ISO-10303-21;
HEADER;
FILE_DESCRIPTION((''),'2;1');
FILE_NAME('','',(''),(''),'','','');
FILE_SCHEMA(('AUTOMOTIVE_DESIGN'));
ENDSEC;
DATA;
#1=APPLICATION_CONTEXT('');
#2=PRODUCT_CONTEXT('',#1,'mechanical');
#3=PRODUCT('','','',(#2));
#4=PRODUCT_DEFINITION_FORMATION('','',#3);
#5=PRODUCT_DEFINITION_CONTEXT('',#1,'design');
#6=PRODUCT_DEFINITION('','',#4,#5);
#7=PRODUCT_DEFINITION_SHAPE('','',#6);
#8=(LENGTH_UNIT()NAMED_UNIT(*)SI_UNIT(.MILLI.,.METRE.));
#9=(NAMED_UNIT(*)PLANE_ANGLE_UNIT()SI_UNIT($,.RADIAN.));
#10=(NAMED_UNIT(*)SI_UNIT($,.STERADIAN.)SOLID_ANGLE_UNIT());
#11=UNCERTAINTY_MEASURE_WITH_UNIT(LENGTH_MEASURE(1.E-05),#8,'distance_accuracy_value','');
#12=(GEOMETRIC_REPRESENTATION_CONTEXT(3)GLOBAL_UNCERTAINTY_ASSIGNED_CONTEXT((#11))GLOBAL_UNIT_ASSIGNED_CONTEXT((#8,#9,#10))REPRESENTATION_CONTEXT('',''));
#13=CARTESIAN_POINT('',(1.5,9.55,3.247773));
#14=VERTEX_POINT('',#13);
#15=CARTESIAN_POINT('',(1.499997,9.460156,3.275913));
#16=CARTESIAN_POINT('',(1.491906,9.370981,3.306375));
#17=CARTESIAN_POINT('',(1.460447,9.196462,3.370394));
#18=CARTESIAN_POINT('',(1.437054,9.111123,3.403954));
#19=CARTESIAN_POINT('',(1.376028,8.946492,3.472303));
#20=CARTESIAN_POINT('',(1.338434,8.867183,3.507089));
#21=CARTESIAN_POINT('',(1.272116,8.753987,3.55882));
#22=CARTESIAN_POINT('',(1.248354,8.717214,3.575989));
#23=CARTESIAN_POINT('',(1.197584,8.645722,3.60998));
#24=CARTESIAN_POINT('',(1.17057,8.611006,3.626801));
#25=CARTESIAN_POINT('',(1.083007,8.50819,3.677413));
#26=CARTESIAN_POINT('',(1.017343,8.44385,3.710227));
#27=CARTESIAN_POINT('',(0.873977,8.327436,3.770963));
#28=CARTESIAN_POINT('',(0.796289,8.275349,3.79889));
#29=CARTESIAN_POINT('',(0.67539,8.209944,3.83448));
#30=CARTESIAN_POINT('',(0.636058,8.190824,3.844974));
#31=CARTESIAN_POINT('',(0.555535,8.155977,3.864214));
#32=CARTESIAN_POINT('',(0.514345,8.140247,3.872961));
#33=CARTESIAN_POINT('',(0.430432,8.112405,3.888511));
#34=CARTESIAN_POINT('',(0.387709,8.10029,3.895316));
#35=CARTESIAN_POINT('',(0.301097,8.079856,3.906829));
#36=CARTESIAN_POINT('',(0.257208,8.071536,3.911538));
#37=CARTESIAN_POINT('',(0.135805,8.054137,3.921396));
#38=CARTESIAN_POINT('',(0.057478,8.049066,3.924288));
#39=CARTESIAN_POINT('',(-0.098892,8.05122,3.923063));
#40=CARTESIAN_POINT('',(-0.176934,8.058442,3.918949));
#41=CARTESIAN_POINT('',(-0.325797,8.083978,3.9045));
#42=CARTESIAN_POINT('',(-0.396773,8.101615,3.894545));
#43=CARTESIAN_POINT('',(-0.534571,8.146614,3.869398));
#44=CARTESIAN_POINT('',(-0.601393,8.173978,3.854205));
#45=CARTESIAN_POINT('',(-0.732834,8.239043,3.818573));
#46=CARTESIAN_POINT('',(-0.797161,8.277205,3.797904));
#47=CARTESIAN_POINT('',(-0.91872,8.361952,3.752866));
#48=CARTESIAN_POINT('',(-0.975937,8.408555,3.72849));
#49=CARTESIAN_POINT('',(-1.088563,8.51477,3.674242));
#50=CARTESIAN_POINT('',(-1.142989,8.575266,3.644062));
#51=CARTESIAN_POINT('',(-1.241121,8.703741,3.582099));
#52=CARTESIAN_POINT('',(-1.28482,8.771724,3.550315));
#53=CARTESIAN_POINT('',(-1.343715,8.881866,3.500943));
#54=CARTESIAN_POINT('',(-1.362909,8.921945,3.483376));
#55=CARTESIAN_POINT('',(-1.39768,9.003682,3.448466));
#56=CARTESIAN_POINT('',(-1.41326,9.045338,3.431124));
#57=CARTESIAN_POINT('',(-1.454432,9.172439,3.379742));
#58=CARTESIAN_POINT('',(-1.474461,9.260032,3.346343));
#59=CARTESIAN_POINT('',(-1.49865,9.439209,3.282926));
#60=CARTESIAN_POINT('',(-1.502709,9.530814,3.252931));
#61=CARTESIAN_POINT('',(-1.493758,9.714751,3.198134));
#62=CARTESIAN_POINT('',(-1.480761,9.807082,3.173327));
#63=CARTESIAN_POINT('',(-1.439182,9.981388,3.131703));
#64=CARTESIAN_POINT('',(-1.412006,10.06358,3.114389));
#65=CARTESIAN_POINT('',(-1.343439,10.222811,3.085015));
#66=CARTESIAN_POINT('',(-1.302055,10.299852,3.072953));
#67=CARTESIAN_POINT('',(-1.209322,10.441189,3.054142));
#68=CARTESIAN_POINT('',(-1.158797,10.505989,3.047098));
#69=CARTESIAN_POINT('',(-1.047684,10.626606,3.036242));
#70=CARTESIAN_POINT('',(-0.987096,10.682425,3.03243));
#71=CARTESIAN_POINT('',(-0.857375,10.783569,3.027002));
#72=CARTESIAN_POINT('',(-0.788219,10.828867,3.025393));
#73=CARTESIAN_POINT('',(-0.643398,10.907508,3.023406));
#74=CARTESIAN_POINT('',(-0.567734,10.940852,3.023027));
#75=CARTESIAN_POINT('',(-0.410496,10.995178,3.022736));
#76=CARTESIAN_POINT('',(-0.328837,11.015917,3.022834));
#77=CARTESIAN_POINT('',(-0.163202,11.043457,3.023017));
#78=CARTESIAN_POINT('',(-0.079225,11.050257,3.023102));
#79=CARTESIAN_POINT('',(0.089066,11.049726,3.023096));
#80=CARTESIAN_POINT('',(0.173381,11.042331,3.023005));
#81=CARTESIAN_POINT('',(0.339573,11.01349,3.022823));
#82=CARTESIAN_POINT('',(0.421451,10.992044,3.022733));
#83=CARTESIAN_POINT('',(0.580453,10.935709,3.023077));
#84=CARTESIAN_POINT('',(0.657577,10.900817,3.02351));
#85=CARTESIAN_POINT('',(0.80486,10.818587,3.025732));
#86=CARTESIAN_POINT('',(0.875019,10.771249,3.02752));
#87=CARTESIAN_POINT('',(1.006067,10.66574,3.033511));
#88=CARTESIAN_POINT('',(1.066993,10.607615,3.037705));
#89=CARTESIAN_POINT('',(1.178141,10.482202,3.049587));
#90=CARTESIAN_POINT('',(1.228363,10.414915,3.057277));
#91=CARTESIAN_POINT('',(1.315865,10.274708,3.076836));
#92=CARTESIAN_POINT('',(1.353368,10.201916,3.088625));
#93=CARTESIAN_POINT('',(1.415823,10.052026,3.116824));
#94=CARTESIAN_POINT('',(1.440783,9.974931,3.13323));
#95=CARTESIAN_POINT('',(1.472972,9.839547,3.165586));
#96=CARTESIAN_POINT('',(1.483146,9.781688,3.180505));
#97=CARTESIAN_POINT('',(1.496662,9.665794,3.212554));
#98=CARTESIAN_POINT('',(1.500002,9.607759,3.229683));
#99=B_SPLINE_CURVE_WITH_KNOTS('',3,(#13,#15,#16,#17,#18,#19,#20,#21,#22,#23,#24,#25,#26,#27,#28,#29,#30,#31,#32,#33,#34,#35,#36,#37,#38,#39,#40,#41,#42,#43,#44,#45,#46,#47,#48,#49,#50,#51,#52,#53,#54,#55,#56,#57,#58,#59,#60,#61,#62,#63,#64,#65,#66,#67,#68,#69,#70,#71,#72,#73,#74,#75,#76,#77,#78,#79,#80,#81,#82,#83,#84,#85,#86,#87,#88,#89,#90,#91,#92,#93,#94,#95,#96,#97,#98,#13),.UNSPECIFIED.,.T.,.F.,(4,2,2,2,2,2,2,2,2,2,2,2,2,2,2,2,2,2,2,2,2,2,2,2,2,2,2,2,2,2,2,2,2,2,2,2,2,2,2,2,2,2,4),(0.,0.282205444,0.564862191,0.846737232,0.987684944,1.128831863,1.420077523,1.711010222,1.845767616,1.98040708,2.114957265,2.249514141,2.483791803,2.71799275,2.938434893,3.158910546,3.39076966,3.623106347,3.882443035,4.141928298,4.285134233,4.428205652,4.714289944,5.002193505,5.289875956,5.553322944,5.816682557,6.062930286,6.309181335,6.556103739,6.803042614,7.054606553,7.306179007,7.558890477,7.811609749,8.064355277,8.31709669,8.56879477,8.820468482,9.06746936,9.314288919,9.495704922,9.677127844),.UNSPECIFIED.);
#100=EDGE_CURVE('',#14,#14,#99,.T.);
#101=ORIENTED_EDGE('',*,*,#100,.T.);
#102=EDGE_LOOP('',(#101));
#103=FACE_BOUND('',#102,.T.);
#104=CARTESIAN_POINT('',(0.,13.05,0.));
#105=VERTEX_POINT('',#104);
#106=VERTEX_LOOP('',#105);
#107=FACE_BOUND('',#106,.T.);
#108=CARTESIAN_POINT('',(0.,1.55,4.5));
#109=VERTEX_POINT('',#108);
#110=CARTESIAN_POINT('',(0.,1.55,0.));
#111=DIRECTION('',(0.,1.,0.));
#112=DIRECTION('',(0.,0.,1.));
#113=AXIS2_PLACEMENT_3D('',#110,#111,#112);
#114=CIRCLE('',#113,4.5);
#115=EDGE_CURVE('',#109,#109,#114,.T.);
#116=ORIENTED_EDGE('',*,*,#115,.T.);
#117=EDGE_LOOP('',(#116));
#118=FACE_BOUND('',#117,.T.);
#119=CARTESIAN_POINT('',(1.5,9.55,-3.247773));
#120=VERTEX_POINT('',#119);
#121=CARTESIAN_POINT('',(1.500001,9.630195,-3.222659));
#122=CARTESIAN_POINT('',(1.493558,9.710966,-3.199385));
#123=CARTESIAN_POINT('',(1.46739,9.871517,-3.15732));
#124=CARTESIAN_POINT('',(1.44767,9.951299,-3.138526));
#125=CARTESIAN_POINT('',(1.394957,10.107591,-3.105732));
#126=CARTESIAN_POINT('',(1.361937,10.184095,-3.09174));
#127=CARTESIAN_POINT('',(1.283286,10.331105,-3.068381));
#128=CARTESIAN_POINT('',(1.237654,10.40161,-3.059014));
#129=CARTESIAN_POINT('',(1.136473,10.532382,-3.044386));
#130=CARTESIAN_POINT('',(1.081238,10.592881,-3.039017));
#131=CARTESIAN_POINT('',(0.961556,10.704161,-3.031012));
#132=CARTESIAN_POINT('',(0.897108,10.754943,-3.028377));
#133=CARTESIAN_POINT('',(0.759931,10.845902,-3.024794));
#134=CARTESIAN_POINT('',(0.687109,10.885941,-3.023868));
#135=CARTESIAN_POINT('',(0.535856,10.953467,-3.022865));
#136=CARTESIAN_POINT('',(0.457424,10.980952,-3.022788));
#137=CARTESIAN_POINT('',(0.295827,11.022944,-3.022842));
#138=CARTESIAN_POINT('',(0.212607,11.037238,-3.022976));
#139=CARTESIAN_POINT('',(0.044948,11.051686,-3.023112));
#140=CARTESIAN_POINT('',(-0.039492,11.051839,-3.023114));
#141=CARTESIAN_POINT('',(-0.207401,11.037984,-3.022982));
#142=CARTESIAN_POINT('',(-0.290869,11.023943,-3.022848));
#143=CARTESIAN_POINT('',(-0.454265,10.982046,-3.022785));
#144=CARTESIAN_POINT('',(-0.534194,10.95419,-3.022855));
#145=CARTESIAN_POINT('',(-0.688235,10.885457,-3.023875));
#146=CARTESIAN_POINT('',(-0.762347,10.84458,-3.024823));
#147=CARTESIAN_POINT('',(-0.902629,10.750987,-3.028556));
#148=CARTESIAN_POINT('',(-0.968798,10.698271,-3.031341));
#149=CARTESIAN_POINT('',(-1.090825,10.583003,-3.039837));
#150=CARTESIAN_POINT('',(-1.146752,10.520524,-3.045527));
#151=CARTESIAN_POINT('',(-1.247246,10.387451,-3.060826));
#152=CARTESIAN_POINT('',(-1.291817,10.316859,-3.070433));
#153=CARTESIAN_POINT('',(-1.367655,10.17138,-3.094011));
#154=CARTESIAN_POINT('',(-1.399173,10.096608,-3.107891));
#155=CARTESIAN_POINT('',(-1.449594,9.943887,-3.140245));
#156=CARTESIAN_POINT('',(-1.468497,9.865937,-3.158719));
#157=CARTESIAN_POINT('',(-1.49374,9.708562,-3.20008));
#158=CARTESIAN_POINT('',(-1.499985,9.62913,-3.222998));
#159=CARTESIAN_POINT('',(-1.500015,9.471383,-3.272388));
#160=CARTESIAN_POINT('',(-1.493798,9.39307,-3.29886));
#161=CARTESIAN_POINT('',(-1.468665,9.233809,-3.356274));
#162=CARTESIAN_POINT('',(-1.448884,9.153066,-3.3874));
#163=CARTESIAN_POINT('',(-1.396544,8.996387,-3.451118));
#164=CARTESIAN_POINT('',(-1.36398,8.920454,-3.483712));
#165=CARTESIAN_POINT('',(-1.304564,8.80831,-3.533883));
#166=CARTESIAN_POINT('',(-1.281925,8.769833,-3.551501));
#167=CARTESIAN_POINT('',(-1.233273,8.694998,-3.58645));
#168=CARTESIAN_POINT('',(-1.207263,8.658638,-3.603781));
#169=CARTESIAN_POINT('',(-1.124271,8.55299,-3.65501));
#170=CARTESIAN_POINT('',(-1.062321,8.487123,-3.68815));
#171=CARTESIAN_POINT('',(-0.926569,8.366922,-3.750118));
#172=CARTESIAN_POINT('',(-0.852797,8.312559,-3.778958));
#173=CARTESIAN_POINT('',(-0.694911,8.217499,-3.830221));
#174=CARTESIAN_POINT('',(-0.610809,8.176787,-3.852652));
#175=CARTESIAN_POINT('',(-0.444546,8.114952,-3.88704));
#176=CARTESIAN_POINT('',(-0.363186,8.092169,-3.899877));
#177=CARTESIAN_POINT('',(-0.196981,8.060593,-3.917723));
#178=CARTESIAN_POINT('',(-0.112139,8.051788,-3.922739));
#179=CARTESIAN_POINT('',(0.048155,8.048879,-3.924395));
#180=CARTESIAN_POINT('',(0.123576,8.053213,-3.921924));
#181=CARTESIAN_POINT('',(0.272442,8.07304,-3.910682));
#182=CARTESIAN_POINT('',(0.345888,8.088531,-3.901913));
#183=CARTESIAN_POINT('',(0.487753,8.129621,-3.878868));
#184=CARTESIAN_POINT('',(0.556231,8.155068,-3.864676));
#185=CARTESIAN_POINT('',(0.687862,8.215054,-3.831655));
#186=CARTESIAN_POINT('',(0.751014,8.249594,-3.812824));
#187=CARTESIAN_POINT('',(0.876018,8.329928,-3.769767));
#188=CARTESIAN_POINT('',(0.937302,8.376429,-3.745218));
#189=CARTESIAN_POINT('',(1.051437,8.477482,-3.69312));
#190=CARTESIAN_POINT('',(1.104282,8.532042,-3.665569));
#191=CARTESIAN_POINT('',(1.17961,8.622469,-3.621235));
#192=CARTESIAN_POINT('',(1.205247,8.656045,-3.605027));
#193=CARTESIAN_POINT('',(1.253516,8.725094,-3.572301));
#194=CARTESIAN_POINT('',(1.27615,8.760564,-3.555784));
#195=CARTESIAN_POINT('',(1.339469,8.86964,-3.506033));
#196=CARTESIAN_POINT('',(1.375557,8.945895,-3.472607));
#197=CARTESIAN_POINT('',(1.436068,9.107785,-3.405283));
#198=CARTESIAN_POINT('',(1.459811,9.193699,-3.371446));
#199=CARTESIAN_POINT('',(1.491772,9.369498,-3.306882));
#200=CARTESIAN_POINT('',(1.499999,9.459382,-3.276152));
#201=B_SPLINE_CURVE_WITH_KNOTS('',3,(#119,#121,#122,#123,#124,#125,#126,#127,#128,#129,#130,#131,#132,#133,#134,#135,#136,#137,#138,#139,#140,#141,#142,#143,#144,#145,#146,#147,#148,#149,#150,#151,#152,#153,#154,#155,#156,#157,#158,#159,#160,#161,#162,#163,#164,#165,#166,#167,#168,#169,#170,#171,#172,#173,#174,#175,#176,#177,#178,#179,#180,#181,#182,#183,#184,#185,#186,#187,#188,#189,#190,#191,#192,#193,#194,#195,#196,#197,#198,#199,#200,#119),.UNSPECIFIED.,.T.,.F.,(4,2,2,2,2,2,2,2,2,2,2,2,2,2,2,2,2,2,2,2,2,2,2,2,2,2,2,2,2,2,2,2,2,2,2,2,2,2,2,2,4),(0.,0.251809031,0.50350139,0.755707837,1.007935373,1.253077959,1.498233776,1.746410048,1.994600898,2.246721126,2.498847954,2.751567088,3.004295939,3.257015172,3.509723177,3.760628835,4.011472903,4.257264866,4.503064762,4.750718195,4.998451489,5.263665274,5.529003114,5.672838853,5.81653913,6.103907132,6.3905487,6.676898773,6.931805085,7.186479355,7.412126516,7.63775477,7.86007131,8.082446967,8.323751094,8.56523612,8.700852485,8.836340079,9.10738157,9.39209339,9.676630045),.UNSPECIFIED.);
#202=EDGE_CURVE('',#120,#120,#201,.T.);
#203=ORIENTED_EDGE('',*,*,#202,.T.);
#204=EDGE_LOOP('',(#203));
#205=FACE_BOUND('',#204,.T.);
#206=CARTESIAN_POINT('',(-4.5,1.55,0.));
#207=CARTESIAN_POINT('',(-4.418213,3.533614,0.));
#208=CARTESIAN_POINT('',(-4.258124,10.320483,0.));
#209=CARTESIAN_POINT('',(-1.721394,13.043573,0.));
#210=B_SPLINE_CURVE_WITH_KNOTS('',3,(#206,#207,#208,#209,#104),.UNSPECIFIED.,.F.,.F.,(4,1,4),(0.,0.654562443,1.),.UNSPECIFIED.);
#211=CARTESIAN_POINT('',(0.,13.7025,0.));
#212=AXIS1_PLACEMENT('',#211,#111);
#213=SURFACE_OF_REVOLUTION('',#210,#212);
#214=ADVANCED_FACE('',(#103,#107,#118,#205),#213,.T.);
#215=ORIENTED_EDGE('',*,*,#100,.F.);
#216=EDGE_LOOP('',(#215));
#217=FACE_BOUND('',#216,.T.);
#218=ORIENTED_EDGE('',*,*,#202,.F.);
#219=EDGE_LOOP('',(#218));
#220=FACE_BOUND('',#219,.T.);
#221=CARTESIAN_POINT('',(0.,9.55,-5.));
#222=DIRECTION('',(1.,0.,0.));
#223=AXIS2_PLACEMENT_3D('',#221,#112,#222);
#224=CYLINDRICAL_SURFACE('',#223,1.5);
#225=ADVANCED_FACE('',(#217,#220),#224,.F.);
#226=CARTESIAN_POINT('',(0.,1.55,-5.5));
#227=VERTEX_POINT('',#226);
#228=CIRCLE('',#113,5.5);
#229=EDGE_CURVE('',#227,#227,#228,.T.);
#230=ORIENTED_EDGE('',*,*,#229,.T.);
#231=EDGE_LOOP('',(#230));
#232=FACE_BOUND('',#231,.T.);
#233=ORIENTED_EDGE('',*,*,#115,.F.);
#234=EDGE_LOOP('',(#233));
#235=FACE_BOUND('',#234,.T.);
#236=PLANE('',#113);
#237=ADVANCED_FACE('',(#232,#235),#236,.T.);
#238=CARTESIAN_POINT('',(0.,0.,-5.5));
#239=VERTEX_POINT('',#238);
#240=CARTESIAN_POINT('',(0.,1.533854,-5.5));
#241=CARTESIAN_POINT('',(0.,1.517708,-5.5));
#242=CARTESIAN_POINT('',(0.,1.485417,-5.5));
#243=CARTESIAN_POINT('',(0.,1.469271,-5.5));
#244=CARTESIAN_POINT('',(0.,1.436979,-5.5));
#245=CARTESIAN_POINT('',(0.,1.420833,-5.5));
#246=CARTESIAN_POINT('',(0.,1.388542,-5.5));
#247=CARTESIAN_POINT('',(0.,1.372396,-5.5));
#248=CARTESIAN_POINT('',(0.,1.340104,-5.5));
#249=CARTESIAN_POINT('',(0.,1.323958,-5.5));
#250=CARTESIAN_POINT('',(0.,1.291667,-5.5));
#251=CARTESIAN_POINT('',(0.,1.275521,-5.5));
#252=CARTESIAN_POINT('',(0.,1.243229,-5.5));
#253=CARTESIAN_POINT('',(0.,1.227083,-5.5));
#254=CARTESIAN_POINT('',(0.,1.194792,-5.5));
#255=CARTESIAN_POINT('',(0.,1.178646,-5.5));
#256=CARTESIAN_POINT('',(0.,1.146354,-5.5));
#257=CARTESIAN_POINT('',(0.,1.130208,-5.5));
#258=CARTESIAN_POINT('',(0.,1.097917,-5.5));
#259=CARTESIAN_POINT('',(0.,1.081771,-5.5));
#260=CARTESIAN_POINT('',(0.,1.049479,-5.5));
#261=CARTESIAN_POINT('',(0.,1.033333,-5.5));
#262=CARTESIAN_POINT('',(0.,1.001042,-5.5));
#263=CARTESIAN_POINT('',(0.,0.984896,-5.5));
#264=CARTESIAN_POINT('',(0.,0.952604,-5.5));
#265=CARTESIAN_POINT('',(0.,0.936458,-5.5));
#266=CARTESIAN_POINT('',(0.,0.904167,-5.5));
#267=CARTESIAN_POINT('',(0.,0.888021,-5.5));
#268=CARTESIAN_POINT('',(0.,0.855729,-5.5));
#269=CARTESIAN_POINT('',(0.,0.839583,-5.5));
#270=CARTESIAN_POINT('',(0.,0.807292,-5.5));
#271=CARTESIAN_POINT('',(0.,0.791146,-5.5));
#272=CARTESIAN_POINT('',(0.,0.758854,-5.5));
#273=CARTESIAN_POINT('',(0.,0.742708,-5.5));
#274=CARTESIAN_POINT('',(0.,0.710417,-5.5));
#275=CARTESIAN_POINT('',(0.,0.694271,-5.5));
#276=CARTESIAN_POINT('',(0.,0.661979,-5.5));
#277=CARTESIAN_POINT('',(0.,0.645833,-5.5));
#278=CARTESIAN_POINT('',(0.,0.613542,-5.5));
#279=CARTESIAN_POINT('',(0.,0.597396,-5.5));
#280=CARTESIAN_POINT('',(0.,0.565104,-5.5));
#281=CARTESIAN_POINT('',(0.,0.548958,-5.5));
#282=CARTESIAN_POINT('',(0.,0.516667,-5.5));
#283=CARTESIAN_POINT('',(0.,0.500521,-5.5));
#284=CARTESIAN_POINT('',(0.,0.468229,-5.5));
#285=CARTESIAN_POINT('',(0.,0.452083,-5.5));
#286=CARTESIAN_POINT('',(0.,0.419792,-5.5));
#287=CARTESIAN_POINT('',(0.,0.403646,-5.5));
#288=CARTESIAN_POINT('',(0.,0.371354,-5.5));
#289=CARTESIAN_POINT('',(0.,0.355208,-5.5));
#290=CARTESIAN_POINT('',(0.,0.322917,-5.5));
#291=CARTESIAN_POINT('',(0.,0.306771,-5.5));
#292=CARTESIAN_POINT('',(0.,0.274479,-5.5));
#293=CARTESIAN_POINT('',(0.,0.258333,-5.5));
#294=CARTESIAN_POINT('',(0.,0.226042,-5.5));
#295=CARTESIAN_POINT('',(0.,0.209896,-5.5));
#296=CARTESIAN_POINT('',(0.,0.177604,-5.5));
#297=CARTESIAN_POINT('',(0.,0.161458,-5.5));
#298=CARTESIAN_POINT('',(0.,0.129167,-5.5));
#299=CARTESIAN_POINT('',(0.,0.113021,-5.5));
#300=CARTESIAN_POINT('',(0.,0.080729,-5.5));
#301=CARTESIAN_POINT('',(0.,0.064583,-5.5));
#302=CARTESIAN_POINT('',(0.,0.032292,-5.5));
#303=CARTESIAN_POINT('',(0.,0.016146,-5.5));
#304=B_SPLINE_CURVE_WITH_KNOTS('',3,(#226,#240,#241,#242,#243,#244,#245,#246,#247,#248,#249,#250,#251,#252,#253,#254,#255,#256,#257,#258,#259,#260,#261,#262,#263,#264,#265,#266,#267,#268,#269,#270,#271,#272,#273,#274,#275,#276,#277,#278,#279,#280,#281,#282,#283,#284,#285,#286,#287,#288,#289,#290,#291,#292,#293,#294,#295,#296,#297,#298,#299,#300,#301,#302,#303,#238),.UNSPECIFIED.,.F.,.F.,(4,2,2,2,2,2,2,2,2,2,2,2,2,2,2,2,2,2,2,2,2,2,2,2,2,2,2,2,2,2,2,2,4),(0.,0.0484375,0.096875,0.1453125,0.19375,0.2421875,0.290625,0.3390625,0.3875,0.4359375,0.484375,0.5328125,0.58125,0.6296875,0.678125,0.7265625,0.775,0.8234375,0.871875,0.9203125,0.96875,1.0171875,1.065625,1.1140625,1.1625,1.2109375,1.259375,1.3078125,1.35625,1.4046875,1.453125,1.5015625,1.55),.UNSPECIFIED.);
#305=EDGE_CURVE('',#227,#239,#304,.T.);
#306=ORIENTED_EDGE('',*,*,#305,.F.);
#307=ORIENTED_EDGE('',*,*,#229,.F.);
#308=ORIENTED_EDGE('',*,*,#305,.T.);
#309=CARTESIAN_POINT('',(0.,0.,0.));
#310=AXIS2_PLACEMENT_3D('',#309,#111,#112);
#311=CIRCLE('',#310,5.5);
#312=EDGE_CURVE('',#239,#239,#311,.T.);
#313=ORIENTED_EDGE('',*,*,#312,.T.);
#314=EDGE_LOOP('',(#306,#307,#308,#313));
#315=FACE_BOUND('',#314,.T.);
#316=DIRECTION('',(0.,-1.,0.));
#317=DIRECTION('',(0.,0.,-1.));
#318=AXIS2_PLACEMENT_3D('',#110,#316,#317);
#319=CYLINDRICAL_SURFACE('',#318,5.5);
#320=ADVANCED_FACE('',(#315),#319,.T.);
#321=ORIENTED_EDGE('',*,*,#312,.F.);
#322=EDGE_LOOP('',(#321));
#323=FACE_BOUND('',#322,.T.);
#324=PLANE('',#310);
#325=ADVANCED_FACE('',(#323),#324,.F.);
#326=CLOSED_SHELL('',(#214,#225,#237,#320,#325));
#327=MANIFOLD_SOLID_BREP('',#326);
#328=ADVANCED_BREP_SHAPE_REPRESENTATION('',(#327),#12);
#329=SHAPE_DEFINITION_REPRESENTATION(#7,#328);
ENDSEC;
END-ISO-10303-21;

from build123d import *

# Parameters (mm, degrees)
SKETCH1_R           = 5.5
BOSS_EXTRUDE1_DEPTH = 1.55
SKETCH2_R           = 4.5
BOSS_EXTRUDE2_DEPTH = 11.5
SKETCH4_R           = 1.5
CUT_EXTRUDE1_DEPTH  = 5


with BuildPart() as part:
    # Sketch1 → Boss-Extrude1 (new body)
    with BuildSketch(Plane(origin=(0, 0, 0), x_dir=(1, 0, 0), z_dir=(0, 1, 0))):
        Circle(SKETCH1_R)
    extrude(amount=BOSS_EXTRUDE1_DEPTH)

    # Sketch2 → Boss-Extrude2 (add)
    with BuildSketch(Plane(origin=(0, 1.55, 0), x_dir=(1, 0, 0), z_dir=(0, 1, 0))):
        Circle(SKETCH2_R)
    extrude(amount=BOSS_EXTRUDE2_DEPTH)

    # Sketch3 → Cut-Revolve7 (revolve, cut)
    with BuildSketch(Plane.XY):
        with BuildLine():
            Line((0, 13.05), (0, 13.379256314))
            Line((0, 13.379256314), (-5.06381538, 13.379256314))
            Line((-5.06381538, 13.379256314), (-5.06381538, 1.55))
            Line((-5.06381538, 1.55), (-4.5, 1.55))
            add(Edge.make_bspline(
                [(-4.5, 1.55), (-4.418212849, 3.533613751), (-4.258123849, 10.320482708), (-1.721394158, 13.043572847), (0, 13.05)],
                knots=[0, 0, 0, 0, 0.654562443, 1, 1, 1, 1], degree=3))
        make_face()
    revolve(axis=Axis((0, 13.7025, 0), (0, -1, 0)), mode=Mode.SUBTRACT)

    # Sketch4 → Cut-Extrude1 (cut, symmetric)
    with BuildSketch(Plane.XY):
        with Locations((0, 9.55)):
            Circle(SKETCH4_R)
    extrude(amount=CUT_EXTRUDE1_DEPTH, both=True, mode=Mode.SUBTRACT)


solid = part.part
